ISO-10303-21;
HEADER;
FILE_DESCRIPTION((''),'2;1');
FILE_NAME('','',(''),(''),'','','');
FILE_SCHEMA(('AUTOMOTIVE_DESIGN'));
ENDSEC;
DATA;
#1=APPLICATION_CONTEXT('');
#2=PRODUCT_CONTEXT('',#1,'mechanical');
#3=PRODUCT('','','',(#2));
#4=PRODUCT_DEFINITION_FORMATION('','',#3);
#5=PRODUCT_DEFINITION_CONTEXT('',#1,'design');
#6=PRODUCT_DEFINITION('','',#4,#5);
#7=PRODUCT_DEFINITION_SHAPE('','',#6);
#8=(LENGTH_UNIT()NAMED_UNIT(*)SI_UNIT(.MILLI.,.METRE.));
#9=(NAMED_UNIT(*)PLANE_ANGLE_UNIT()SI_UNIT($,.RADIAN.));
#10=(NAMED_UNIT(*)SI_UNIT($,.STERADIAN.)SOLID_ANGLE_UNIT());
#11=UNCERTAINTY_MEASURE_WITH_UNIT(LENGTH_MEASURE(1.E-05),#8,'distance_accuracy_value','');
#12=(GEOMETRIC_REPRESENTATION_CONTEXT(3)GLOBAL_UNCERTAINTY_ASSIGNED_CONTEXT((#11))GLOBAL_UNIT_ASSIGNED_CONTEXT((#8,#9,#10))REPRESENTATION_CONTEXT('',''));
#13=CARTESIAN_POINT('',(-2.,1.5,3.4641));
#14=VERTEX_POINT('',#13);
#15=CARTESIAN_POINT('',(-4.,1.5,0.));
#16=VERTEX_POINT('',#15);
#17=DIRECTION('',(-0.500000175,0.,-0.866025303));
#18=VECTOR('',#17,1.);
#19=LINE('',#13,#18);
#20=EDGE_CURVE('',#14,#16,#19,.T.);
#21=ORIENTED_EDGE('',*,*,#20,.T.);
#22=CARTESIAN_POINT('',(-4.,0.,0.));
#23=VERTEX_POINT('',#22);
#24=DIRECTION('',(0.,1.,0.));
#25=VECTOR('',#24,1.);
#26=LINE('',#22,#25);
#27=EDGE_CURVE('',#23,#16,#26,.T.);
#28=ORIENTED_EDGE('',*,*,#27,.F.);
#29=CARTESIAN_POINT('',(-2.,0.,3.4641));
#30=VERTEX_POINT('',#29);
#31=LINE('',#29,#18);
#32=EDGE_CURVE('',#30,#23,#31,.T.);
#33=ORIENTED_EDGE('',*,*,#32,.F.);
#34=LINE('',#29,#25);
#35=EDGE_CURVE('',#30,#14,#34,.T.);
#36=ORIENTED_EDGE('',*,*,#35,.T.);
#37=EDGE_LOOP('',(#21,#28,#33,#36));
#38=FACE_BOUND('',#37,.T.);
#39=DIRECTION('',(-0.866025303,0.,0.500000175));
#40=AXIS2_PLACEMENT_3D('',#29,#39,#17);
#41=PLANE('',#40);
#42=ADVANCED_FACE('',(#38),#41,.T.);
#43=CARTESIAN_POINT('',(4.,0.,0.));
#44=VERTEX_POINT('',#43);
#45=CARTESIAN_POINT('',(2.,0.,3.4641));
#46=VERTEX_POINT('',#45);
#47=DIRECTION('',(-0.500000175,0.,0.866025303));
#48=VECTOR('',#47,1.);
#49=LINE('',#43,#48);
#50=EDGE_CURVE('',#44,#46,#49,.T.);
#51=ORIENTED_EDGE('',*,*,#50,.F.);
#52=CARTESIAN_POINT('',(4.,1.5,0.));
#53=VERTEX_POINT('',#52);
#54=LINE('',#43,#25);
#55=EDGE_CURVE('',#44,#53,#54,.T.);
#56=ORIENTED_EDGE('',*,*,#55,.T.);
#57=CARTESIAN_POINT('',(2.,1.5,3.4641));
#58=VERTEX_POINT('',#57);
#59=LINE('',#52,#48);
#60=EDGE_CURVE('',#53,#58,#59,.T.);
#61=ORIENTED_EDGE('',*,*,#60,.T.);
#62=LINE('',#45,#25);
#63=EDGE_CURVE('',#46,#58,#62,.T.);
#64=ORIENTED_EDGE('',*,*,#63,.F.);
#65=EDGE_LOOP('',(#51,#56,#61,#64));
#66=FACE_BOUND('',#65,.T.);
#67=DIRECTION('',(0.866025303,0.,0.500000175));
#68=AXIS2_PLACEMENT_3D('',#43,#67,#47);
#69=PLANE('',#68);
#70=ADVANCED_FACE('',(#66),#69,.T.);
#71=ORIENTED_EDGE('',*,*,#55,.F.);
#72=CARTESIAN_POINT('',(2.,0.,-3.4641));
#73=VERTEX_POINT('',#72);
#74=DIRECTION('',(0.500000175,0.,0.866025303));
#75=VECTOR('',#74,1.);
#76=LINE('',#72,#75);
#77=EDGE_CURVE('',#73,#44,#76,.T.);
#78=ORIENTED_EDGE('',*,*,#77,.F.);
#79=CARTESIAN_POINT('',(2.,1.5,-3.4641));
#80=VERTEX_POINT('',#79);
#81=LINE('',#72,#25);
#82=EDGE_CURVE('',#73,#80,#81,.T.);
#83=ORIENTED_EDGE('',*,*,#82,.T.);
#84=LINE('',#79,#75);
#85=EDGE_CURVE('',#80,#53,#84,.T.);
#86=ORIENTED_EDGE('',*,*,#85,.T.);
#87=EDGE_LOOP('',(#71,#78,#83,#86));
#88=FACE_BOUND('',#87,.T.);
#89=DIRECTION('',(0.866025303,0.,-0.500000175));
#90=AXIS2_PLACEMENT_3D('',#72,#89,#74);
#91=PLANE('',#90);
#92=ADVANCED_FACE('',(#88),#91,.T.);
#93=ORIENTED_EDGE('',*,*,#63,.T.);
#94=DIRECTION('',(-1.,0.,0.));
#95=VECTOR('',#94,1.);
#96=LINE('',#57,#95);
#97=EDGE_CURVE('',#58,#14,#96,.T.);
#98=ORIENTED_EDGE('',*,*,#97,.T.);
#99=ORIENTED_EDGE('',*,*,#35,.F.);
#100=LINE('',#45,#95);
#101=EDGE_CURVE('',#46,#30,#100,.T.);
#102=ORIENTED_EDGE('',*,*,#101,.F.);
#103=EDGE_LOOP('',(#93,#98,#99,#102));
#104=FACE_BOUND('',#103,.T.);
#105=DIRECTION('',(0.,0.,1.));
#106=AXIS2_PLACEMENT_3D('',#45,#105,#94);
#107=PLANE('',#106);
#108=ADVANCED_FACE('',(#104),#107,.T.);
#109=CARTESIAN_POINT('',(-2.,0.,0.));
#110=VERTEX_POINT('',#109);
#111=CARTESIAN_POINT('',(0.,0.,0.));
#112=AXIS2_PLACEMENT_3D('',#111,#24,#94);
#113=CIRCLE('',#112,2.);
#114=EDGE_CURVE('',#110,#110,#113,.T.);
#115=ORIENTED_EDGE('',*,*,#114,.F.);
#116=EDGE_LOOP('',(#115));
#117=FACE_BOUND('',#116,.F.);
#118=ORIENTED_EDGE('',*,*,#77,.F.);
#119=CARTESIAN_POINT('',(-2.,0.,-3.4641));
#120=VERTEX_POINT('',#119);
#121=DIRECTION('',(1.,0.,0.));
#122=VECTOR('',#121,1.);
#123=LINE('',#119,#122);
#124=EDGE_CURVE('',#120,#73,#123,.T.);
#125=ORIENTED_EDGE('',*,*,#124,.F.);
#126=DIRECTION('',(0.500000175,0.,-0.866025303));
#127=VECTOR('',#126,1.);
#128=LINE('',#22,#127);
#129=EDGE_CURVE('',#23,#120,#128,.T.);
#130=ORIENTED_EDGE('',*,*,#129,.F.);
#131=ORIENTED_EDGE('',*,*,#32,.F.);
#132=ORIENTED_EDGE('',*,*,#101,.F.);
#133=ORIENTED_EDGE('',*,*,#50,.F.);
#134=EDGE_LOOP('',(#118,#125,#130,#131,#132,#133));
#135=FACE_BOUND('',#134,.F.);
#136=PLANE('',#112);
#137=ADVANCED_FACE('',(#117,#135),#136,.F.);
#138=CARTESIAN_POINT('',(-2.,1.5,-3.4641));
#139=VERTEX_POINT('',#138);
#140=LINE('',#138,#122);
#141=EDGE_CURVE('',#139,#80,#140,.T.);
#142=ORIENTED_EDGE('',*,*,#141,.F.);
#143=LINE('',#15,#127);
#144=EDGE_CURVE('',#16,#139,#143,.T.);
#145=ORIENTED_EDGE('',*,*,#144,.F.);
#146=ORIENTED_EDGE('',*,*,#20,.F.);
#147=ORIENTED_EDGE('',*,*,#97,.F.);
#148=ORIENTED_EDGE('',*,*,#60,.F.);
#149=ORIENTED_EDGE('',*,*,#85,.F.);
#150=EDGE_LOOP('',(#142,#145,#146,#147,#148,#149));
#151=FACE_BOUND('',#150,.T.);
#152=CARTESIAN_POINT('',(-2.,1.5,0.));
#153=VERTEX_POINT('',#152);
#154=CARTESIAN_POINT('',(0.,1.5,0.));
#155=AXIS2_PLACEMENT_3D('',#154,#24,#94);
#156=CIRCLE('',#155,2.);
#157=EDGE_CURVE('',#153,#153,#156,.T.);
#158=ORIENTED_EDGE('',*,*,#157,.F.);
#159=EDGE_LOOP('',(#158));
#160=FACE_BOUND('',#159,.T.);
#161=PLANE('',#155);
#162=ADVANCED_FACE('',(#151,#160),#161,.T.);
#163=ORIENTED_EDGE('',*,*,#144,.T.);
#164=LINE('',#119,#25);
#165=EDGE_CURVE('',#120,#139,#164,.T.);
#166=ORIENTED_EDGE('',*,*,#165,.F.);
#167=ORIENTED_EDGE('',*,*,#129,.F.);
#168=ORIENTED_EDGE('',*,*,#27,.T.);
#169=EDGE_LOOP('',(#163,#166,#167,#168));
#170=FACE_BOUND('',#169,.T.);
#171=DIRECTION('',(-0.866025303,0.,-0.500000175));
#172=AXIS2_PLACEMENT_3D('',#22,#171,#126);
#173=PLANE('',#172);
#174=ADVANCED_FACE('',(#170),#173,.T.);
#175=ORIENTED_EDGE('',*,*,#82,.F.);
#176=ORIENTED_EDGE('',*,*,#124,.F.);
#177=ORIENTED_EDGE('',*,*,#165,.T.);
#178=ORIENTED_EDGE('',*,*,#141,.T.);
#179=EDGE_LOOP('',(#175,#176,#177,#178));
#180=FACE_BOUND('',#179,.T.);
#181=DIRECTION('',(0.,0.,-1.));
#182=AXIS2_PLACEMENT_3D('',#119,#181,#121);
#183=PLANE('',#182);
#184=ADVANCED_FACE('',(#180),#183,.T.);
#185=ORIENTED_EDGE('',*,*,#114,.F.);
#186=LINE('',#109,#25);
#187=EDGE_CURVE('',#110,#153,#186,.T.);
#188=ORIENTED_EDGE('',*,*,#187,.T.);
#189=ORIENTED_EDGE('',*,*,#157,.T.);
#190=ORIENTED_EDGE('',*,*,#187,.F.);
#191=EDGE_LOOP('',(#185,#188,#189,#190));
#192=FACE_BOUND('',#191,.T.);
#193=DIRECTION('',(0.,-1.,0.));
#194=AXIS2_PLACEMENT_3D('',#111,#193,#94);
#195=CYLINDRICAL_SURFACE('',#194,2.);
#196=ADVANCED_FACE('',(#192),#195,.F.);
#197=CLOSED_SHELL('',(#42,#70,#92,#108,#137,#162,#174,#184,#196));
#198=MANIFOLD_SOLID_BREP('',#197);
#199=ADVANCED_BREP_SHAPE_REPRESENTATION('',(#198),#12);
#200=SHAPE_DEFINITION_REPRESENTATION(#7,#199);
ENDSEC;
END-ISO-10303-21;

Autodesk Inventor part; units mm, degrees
ref_plane "YZ Plane" through (0, 0, 0) normal (1, 0, 0) x (0, 1, 0)
ref_plane "XZ Plane" through (0, 0, 0) normal (0, 1, 0) x (-1, 0, 0)
ref_plane "XY Plane" through (0, 0, 0) normal (0, 0, 1) x (1, 0, 0)
sketch "草图1" plane through (0, 0, 0) normal (0, 1, 0) x (-1, 0, 0)
  circle A0 centre (0, 0) radius 2
  line L0 (4, 0) -> (2, -3.4641)
  line L1 (2, -3.4641) -> (-2, -3.4641)
  line L2 (-2, -3.4641) -> (-4, 0)
  line L3 (-4, 0) -> (-2, 3.4641)
  line L4 (-2, 3.4641) -> (2, 3.4641)
  line L5 (2, 3.4641) -> (4, 0)
  dimension "d0" = 4
extrude "拉伸2" add sketch "草图1" along normal blind 1.5
thread "螺纹2" size "M4x0.7" class "6H" standard "ANSI Metric M Profile" full length
properties part number "螺母"
